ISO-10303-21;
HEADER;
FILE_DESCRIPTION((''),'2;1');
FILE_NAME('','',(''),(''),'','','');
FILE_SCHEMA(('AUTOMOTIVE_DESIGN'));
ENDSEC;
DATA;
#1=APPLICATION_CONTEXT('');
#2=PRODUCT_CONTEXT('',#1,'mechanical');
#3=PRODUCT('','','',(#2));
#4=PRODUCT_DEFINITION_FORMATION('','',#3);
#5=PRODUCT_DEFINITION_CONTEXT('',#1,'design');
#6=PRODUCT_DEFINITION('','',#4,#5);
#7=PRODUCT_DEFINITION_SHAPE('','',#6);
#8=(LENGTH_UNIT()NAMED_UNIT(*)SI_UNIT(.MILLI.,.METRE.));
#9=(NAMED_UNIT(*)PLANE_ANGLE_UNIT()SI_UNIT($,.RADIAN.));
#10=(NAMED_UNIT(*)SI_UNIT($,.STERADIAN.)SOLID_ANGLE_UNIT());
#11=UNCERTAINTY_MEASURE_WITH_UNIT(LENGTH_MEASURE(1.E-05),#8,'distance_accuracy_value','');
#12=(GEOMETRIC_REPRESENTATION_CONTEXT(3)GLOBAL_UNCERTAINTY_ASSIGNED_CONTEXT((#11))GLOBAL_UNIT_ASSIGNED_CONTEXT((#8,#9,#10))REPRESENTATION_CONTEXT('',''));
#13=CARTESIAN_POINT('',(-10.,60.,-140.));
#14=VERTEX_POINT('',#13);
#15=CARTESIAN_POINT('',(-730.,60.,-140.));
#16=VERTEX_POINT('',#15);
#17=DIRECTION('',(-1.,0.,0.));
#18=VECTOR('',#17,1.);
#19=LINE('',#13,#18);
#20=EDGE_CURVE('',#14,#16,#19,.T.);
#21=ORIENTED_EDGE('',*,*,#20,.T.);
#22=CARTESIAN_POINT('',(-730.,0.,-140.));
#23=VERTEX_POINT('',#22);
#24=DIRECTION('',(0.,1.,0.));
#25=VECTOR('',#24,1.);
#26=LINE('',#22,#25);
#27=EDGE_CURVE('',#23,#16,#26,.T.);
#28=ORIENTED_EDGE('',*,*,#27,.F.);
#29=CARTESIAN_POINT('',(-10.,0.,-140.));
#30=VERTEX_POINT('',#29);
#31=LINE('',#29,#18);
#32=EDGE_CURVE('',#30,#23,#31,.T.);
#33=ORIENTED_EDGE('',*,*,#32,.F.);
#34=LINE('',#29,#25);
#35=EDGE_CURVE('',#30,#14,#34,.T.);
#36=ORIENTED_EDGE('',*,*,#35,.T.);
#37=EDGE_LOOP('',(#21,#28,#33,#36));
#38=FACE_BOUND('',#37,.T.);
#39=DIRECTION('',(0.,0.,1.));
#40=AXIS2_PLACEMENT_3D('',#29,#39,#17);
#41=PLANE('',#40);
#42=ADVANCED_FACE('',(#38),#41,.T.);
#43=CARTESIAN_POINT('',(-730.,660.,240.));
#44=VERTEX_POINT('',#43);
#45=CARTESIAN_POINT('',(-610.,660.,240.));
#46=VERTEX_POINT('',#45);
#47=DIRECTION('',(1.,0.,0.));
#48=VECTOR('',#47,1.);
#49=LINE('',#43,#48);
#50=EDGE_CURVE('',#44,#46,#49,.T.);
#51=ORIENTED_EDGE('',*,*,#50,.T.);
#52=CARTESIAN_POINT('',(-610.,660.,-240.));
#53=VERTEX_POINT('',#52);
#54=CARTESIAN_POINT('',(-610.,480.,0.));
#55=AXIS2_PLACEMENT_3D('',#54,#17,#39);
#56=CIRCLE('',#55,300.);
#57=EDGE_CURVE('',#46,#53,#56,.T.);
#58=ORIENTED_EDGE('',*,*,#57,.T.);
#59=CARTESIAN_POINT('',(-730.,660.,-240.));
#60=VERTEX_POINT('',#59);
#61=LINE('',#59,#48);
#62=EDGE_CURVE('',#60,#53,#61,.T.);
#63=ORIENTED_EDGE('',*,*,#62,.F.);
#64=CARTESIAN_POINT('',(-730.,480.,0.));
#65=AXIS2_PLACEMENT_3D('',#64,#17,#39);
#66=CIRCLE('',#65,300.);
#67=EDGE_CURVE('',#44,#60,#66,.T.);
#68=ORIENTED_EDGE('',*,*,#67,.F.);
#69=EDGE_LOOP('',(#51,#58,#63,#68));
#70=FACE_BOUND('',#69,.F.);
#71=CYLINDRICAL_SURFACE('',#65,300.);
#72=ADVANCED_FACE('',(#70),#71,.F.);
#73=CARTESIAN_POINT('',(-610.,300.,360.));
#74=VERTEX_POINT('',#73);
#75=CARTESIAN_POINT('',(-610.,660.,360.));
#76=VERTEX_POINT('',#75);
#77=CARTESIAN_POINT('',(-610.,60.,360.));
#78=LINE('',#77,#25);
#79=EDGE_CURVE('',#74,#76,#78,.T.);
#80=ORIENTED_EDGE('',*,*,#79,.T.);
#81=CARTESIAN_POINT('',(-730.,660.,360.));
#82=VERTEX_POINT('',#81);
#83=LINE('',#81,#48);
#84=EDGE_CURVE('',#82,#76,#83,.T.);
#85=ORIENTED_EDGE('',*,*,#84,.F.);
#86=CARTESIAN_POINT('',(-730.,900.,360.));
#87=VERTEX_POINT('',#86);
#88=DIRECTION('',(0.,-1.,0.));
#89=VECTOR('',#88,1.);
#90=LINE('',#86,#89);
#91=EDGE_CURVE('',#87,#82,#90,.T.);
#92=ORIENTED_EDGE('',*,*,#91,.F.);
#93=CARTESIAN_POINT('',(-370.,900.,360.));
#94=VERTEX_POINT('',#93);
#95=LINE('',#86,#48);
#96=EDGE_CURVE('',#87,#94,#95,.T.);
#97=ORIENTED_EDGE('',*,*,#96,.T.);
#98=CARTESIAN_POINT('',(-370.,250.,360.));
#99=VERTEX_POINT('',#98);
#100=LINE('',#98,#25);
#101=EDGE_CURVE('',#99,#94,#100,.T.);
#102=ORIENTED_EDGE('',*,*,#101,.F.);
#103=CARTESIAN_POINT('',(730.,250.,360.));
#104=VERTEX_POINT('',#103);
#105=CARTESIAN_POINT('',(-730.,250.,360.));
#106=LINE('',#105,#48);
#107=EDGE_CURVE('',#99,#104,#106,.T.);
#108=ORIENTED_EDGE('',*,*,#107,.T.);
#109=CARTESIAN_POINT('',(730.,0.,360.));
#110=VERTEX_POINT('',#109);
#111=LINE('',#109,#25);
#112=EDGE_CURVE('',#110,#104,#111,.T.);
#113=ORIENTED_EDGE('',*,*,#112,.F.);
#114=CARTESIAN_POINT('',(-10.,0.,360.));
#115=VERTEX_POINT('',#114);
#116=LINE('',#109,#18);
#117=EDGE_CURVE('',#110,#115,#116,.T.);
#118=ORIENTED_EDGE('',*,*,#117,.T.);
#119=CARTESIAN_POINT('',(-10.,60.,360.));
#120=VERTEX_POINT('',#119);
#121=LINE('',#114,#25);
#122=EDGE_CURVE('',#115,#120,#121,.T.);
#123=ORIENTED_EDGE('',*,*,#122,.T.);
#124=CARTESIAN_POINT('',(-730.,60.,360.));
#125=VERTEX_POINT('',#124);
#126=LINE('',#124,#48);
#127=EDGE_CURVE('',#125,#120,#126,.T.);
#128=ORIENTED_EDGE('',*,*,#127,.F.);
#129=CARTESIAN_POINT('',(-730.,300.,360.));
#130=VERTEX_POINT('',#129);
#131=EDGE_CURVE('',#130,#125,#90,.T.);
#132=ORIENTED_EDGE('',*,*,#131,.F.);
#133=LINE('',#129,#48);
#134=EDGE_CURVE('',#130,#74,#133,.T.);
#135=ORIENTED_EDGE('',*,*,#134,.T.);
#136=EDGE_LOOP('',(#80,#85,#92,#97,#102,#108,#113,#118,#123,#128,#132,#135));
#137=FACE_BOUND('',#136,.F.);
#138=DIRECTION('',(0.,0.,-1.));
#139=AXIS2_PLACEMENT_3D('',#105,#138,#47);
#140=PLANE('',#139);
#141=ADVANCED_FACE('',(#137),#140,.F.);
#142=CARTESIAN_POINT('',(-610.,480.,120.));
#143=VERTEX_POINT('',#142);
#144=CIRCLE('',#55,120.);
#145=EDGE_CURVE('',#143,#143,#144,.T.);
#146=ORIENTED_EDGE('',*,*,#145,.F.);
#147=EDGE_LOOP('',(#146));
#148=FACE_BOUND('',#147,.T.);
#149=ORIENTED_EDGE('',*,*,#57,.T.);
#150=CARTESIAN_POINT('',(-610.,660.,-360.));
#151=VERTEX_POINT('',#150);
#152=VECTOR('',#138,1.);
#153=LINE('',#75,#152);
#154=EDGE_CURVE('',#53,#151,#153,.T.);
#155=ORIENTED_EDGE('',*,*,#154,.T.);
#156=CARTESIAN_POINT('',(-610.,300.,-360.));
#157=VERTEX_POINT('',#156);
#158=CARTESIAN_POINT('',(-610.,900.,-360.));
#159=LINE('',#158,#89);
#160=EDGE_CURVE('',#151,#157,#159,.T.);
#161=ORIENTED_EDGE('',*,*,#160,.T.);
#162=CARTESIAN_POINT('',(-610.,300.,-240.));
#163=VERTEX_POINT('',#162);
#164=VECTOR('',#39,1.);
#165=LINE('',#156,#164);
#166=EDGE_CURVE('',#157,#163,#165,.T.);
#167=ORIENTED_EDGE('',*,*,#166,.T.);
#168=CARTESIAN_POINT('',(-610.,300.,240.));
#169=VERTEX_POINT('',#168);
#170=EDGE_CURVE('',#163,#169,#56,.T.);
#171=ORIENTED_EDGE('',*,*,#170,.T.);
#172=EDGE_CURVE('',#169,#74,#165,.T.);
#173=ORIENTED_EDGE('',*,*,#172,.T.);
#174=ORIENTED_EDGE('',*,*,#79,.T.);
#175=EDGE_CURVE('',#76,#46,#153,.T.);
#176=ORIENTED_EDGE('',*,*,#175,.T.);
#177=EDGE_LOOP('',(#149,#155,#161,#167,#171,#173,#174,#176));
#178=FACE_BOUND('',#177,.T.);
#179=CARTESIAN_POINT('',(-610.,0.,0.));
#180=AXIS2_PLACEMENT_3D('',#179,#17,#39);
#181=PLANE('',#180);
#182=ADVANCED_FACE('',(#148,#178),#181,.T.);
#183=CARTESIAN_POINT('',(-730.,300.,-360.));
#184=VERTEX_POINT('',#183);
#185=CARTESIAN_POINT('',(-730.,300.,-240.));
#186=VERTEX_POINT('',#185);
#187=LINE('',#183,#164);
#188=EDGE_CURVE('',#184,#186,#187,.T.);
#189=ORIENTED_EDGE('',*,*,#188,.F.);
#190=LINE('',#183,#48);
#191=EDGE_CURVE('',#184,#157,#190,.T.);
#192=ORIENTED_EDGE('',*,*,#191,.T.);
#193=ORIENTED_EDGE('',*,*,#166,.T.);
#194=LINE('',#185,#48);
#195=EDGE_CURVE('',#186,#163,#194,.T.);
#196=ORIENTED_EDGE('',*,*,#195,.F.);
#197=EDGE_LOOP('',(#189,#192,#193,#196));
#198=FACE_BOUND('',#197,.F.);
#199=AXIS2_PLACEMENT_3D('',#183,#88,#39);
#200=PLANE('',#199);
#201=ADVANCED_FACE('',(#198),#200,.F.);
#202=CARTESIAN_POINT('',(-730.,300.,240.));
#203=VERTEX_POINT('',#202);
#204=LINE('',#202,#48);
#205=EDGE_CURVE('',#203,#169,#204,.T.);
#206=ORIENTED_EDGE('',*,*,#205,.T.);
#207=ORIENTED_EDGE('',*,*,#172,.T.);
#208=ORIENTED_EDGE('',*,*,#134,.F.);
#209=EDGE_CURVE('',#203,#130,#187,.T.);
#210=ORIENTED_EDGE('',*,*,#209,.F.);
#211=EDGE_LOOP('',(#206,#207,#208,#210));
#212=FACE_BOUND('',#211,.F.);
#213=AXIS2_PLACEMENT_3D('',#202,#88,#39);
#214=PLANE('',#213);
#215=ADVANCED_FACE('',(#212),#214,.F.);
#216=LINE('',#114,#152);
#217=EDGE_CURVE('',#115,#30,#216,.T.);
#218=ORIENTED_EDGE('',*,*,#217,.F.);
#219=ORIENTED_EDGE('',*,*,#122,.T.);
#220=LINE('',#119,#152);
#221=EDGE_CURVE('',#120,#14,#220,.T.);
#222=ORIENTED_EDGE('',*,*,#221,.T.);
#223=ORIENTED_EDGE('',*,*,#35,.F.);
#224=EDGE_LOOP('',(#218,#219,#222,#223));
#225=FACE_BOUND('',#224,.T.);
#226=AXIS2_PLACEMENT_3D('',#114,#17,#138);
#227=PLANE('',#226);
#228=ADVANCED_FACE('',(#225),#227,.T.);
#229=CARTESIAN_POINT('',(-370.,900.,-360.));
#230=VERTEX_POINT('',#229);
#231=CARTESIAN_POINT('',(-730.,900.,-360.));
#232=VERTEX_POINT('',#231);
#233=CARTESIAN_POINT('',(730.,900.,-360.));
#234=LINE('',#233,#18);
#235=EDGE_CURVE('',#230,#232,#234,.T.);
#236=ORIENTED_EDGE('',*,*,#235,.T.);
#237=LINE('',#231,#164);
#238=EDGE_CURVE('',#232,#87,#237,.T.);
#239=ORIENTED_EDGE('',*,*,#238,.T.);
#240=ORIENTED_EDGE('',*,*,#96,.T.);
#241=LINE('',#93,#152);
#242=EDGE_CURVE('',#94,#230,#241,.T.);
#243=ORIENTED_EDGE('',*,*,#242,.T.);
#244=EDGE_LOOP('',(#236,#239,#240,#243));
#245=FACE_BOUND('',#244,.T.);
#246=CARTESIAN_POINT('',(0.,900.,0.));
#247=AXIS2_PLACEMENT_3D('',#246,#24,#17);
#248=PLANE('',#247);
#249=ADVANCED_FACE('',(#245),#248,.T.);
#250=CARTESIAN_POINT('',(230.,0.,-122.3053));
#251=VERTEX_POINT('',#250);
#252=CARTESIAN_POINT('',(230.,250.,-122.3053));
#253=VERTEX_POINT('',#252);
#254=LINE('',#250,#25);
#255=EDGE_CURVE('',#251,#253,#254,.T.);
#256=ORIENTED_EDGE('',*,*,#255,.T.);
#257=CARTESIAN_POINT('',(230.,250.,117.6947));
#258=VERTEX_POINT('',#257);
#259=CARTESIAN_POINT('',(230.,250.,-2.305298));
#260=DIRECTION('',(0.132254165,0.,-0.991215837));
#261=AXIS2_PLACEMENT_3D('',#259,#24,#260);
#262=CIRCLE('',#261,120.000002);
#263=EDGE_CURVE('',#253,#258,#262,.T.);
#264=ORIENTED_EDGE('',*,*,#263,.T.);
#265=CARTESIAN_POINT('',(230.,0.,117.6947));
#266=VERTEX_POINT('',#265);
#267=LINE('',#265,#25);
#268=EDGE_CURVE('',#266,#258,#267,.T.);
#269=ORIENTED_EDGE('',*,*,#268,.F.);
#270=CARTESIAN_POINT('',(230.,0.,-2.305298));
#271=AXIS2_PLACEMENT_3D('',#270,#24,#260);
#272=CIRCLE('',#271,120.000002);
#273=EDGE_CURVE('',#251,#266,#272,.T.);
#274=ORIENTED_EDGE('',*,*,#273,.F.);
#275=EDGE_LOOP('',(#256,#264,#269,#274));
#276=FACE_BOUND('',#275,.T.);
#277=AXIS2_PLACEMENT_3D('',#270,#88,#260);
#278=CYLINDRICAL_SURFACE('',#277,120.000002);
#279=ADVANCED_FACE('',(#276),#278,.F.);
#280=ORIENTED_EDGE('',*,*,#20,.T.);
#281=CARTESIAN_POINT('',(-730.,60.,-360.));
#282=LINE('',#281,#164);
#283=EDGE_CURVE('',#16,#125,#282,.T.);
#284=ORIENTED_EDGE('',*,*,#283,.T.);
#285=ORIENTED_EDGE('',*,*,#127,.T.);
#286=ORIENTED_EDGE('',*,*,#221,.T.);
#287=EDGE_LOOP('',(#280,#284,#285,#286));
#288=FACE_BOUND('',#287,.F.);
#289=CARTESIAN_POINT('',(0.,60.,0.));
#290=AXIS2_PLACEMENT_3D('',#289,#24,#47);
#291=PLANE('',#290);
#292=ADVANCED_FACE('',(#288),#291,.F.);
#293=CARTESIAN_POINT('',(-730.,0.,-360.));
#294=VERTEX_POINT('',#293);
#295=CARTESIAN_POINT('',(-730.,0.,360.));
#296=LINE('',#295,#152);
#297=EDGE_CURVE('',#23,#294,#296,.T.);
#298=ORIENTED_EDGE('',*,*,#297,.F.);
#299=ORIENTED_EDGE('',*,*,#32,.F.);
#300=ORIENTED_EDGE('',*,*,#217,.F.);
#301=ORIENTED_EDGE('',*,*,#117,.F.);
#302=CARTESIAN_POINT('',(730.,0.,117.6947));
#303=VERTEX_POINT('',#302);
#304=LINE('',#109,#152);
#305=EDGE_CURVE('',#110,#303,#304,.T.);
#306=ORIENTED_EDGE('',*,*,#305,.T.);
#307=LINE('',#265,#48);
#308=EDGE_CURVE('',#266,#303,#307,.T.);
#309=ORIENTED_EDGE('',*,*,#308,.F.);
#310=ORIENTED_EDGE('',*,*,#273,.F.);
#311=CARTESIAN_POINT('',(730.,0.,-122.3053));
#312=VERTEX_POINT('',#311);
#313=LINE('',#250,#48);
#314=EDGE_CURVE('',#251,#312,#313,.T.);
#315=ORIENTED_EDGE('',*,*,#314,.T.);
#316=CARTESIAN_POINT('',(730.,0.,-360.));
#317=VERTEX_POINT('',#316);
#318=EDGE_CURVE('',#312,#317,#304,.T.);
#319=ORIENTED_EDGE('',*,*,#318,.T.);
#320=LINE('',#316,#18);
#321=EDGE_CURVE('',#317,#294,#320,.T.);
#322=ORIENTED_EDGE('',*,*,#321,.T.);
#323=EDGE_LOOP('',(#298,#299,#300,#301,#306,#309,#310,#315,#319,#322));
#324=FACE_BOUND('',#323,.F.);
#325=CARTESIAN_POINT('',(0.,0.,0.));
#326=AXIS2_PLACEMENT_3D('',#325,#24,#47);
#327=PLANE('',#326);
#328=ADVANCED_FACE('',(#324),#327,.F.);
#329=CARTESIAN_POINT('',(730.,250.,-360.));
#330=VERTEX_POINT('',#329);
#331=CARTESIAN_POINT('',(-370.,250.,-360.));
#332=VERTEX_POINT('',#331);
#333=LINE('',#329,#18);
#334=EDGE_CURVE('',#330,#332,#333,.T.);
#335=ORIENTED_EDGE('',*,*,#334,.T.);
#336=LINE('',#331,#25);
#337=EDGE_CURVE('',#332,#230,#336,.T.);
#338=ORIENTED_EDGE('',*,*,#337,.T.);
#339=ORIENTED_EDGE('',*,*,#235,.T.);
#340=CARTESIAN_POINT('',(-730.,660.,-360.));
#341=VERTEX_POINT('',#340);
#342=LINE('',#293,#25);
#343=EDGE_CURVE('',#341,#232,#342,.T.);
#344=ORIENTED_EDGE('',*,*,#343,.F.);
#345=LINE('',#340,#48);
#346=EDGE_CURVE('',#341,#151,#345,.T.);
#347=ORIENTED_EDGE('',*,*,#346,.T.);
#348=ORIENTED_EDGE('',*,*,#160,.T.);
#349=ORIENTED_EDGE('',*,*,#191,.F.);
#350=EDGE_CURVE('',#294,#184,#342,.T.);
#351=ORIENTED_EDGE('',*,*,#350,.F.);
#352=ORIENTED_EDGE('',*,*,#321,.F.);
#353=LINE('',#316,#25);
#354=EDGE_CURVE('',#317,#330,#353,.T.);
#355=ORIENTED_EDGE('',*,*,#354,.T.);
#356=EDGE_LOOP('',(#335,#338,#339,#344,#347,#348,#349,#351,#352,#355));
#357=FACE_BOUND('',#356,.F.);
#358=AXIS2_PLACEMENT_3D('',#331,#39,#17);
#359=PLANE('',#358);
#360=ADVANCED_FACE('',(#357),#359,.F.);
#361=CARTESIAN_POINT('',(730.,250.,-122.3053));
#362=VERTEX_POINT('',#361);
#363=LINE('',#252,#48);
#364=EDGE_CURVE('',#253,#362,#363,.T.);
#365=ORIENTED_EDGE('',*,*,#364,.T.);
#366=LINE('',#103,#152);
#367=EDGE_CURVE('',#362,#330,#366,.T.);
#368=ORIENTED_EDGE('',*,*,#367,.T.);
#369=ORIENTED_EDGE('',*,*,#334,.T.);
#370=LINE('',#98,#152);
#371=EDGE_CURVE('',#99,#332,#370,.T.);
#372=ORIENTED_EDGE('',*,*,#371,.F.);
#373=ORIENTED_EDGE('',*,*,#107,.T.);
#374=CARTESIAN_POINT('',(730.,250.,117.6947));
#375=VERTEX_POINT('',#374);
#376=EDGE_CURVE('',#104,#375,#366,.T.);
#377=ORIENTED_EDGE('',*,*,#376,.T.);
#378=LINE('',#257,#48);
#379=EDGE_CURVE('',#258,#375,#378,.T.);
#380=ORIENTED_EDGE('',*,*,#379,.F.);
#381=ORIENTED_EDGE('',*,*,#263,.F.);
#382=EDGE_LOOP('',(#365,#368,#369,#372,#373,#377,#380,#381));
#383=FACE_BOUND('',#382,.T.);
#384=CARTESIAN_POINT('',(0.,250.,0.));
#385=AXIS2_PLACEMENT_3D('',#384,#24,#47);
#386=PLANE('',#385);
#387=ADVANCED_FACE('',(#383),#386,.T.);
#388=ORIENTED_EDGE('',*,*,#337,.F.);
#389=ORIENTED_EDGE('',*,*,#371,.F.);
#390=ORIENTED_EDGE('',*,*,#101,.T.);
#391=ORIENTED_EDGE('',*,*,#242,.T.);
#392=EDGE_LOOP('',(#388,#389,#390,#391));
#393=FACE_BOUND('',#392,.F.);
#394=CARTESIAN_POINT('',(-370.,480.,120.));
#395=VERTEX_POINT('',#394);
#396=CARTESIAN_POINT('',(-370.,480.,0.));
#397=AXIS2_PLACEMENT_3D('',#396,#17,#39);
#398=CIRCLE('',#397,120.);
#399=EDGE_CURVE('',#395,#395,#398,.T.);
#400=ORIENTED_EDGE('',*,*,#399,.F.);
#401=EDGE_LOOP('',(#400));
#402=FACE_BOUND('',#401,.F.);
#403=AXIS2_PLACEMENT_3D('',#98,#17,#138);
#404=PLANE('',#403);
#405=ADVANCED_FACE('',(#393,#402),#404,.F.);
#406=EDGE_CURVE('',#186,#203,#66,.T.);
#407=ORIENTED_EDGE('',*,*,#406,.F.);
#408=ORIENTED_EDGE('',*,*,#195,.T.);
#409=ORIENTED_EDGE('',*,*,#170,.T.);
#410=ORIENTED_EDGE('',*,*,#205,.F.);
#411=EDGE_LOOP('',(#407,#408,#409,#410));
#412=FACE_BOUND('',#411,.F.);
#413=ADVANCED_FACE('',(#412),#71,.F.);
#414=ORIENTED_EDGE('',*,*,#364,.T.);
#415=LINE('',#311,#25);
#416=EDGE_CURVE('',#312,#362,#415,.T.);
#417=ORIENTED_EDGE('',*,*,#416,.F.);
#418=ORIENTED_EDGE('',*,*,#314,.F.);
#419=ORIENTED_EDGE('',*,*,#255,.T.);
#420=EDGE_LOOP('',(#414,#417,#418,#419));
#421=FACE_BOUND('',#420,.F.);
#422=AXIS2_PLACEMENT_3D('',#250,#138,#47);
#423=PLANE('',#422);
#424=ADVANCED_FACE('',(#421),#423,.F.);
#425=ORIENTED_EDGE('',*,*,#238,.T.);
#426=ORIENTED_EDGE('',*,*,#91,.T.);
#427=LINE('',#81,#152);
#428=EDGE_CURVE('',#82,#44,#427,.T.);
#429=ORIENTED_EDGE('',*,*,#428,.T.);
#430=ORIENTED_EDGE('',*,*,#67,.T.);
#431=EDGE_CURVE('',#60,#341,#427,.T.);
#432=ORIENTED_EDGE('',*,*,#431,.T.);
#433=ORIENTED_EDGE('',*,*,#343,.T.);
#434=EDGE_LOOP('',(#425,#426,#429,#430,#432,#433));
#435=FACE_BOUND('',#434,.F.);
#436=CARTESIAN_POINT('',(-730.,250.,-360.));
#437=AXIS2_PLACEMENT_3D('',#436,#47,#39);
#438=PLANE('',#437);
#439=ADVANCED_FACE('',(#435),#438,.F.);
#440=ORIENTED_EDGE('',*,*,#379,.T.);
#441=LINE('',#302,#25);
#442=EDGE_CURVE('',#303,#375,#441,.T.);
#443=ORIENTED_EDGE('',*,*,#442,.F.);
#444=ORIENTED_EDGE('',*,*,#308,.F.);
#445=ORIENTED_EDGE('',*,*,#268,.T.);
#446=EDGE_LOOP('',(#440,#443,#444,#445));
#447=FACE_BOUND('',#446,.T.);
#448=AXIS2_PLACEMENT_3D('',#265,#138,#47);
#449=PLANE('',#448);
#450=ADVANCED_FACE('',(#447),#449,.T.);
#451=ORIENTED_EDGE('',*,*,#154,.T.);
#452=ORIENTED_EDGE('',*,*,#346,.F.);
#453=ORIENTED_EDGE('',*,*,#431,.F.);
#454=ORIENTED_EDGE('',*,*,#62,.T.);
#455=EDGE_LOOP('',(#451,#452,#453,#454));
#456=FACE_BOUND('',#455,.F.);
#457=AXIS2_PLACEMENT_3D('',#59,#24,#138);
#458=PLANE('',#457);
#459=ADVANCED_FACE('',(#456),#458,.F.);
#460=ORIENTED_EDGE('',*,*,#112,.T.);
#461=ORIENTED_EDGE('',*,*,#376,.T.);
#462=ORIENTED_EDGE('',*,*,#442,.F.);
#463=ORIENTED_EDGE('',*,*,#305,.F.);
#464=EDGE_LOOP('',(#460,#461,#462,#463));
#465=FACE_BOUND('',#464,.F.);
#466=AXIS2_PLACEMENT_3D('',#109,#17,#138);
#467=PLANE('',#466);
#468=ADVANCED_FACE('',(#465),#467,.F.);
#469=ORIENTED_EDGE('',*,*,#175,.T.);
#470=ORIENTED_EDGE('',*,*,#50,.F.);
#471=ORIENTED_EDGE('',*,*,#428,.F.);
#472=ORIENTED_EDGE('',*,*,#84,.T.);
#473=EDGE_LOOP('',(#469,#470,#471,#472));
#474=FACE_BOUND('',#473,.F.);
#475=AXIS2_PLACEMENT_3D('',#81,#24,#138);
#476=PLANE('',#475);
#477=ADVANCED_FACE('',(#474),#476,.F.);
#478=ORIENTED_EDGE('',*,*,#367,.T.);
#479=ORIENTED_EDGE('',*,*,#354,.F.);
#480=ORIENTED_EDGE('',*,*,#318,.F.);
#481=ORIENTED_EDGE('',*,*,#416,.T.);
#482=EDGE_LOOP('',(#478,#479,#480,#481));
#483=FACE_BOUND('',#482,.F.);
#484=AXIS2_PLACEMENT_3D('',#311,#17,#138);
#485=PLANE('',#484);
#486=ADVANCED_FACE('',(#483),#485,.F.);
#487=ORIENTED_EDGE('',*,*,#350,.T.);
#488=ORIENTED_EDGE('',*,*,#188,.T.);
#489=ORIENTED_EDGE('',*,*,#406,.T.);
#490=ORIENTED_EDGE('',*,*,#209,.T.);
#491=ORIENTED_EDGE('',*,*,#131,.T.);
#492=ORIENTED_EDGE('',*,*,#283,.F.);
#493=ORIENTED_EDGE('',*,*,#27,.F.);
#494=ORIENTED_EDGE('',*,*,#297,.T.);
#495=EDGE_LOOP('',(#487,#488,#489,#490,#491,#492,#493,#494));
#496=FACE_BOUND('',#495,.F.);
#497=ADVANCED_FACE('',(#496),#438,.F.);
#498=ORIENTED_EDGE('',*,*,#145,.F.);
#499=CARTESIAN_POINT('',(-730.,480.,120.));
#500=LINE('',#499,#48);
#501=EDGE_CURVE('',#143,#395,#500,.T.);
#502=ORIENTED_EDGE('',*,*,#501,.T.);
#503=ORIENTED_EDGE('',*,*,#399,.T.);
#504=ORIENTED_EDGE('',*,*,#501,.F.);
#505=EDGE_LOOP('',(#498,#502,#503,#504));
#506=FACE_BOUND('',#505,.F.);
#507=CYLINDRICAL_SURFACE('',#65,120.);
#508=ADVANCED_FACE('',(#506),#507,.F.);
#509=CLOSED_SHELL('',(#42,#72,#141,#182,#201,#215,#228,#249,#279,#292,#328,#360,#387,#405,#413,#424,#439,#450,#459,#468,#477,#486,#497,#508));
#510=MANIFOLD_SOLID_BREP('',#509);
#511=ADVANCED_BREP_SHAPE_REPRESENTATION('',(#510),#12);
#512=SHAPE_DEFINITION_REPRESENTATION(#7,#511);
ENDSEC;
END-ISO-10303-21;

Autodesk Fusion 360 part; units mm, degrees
sketch "Sketch2" plane through (0, 0, 0) normal (0, 1, 0) x (1, 0, 0)
  line L0 (730, 360) -> (-730, 360)
  line L1 (-730, 360) -> (-730, -360)
  line L2 (-730, -360) -> (730, -360)
  line L3 (730, -360) -> (730, 360)
  line L4 (730, 360) -> (-730, -360) construction
  line L5 (-730, 360) -> (730, -360) construction
  line L6 (-730, -360) -> (-10, -360)
  line L7 (-10, -360) -> (-10, 140)
  line L8 (-10, 140) -> (-730, 140)
  line L9 (-730, 140) -> (-730, -360)
  line L10 (230, 2.3053) -> (230, 122.3053)
  line L11 (230, 122.3053) -> (730, 122.3053)
  line L12 (230, -117.6947) -> (730, -117.6947)
  arc A0 (245.8705, 121.2512) -> (238.1032, -117.4208) centre (230, 2.3053) ccw
  dimension "d7" = 1460
  dimension "d8" = 720
  dimension "d9" = 720
  dimension "d10" = 500
  dimension "d11" = 240
  dimension "d12" = 500
  dimension "d13" = 90
extrude "Extrude1" add sketch "Sketch2" along normal blind 250 contours L0 L1 L2 L3 L7 L8 L11 L12 A0 | L1 L2 L6 L7 L8 L9
extrude "Extrude2" cut sketch "Sketch2" along normal blind 60 contours L1 L2 L6 L7 L8 L9
sketch "Sketch3" plane through (0, 250, 0) normal (0, 1, 0) x (-1, 0, 0)
  arc A0 (-230, -122.3053) -> (-230, 117.6947) centre (-230, -2.3053) ccw
  line L0 (-230, -122.3053) -> (-730, -122.3053)
  line L1 (-730, -122.3053) -> (-730, -360)
  line L2 (-730, -360) -> (730, -360)
  line L3 (730, -360) -> (730, 360)
  line L4 (730, 360) -> (-730, 360)
  line L5 (-730, 360) -> (-730, 117.6947)
  line L6 (-730, 117.6947) -> (-230, 117.6947)
  line L7 (730, 360) -> (370, 360)
  line L8 (370, 360) -> (370, -360)
  line L9 (370, -360) -> (730, -360)
  line L10 (730, -360) -> (730, 360)
  dimension "d18" = 360
extrude "Extrude3" add sketch "Sketch3" along normal blind 650 contours L2 L3 L4 L7 L8 L9 L10
sketch "Sketch4" plane through (-730, 0, 0) normal (-1, 0, 0) x (0, 0, 1)
  line L0 (-140, 0) -> (-140, 60)
  line L1 (-140, 60) -> (360, 60)
  line L2 (360, 60) -> (360, 900)
  line L3 (360, 900) -> (-360, 900)
  line L4 (-360, 900) -> (-360, 0)
  line L5 (-360, 0) -> (-140, 0)
  circle A0 centre (0, 480) radius 120
  circle A1 centre (0, 480) radius 300
  line L6 (-360, 900) -> (360, 900)
  line L7 (360, 900) -> (360, 660)
  line L8 (360, 660) -> (-360, 660)
  line L9 (-360, 660) -> (-360, 900)
  line L10 (360, 60) -> (-360, 60)
  line L11 (-360, 60) -> (-360, 300)
  line L12 (-360, 300) -> (360, 300)
  line L13 (360, 300) -> (360, 60)
  dimension "d21" = 240
  dimension "d22" = 600
  dimension "d23" = 480
  dimension "d24" = 240
  dimension "d25" = 240
extrude "Extrude4" cut sketch "Sketch4" against normal through all contours A0
extrude "Extrude5" cut sketch "Sketch4" against normal blind 120 contours L2 A1 L8 L12 | L4 A1 L8 L12 | A1 L8 L12 | A1 L12 | A1 L8
